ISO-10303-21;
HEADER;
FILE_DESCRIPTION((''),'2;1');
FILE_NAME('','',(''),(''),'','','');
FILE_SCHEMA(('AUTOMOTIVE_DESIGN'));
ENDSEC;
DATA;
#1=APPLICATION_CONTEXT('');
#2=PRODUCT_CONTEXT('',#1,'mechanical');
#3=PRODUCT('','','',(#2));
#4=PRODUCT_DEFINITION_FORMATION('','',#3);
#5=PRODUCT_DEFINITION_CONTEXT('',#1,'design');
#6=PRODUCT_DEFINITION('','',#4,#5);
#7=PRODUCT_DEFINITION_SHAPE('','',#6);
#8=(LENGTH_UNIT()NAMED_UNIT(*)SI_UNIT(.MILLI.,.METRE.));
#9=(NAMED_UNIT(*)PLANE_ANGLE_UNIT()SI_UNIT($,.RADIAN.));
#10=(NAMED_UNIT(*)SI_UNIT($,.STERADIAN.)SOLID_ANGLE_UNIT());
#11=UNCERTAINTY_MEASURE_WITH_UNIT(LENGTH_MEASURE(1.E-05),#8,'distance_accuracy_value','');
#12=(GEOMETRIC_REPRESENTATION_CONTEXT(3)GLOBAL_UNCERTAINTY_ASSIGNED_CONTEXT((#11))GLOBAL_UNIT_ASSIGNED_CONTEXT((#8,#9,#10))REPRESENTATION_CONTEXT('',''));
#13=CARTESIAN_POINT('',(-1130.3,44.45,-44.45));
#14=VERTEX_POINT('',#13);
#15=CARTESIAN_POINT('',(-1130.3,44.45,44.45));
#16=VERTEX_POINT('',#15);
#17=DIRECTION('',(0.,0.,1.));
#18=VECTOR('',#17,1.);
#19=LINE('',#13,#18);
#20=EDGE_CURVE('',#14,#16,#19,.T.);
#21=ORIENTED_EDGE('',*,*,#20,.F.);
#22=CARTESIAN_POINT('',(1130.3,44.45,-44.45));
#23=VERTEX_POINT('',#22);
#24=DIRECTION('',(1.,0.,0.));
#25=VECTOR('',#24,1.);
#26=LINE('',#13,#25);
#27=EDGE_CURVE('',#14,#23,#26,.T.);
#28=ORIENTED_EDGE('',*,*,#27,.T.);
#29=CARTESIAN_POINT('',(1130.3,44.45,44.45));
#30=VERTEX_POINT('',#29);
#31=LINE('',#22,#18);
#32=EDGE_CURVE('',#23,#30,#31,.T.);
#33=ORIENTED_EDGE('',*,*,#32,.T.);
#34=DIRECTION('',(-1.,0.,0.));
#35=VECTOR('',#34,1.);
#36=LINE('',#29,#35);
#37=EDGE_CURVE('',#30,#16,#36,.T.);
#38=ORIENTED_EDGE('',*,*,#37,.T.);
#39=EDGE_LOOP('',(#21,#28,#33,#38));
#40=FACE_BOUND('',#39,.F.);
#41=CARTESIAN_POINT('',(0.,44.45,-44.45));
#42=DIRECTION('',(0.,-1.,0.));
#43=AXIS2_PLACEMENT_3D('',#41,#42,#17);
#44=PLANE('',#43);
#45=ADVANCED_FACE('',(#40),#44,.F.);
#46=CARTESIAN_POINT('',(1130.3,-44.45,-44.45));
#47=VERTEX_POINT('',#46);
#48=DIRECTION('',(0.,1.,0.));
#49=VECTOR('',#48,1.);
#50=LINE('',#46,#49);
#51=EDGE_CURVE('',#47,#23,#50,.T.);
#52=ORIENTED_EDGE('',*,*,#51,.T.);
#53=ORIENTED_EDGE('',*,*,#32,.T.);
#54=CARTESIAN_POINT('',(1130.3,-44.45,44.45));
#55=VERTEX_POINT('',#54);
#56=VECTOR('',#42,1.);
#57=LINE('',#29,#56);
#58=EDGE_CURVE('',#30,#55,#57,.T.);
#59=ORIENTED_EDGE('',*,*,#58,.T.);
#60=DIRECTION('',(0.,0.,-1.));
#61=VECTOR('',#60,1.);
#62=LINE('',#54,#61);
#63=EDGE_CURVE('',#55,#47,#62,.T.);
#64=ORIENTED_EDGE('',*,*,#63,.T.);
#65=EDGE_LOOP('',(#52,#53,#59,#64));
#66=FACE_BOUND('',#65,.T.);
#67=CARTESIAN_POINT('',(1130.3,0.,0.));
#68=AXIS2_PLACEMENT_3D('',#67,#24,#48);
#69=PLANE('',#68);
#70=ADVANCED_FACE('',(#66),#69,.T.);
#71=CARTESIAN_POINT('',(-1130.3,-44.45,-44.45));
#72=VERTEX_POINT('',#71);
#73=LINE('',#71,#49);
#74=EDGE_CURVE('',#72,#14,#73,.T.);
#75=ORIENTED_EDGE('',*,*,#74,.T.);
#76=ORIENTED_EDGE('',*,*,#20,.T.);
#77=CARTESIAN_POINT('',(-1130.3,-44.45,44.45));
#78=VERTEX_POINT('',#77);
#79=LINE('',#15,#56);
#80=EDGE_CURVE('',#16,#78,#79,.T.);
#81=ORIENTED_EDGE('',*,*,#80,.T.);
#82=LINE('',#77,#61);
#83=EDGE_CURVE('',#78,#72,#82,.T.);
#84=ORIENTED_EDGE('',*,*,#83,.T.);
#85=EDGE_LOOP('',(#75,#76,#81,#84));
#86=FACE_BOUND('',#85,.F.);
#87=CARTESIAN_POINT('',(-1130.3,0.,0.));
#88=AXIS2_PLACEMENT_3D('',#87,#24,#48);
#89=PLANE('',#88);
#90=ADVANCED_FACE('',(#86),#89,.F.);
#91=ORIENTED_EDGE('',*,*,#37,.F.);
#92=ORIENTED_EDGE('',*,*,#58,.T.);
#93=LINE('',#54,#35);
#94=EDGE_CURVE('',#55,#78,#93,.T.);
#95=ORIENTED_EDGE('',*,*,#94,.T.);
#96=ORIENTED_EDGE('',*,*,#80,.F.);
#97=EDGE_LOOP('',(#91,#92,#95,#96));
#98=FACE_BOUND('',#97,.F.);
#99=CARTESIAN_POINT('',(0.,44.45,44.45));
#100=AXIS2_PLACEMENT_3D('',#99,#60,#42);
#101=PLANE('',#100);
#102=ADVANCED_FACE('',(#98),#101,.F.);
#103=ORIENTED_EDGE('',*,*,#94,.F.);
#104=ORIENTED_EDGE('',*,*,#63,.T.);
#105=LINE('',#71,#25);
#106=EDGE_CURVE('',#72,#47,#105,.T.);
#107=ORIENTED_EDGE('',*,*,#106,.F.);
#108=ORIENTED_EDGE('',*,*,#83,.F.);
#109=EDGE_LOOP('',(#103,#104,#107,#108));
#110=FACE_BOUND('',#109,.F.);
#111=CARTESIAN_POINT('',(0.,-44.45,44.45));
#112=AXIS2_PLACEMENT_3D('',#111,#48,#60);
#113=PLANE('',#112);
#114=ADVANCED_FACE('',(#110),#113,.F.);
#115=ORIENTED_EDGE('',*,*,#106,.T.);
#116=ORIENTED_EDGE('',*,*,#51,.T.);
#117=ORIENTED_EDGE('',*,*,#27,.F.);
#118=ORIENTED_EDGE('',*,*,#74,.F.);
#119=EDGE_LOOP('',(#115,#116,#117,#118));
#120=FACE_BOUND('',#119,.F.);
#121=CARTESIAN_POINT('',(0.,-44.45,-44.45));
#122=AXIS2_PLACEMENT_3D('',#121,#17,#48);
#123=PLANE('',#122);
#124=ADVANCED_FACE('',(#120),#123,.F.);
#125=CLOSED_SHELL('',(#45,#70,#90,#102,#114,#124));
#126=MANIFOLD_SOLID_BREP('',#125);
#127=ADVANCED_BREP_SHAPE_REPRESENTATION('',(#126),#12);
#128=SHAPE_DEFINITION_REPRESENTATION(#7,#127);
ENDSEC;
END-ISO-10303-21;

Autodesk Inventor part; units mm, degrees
ref_plane "YZ Plane" through (0, 0, 0) normal (1, 0, 0) x (0, 1, 0)
ref_plane "XZ Plane" through (0, 0, 0) normal (0, 1, 0) x (-1, 0, 0)
ref_plane "XY Plane" through (0, 0, 0) normal (0, 0, 1) x (1, 0, 0)
sketch "Sketch1" plane through (0, 0, 0) normal (1, 0, 0) x (0, 1, 0)
  line L0 (-44.45, -44.45) -> (44.45, -44.45)
  line L1 (44.45, -44.45) -> (44.45, 44.45)
  line L2 (44.45, 44.45) -> (-44.45, 44.45)
  line L3 (-44.45, 44.45) -> (-44.45, -44.45)
  line L4 (-44.45, -44.45) -> (44.45, 44.45) construction
  line L5 (44.45, -44.45) -> (-44.45, 44.45) construction
  point P0 (0, 0)
  dimension "d0" = 88.9
  dimension "d1" = 88.9
extrude "Extrusion1" add sketch "Sketch1" along normal mid plane 2260.6
properties part number "4x4x89"
